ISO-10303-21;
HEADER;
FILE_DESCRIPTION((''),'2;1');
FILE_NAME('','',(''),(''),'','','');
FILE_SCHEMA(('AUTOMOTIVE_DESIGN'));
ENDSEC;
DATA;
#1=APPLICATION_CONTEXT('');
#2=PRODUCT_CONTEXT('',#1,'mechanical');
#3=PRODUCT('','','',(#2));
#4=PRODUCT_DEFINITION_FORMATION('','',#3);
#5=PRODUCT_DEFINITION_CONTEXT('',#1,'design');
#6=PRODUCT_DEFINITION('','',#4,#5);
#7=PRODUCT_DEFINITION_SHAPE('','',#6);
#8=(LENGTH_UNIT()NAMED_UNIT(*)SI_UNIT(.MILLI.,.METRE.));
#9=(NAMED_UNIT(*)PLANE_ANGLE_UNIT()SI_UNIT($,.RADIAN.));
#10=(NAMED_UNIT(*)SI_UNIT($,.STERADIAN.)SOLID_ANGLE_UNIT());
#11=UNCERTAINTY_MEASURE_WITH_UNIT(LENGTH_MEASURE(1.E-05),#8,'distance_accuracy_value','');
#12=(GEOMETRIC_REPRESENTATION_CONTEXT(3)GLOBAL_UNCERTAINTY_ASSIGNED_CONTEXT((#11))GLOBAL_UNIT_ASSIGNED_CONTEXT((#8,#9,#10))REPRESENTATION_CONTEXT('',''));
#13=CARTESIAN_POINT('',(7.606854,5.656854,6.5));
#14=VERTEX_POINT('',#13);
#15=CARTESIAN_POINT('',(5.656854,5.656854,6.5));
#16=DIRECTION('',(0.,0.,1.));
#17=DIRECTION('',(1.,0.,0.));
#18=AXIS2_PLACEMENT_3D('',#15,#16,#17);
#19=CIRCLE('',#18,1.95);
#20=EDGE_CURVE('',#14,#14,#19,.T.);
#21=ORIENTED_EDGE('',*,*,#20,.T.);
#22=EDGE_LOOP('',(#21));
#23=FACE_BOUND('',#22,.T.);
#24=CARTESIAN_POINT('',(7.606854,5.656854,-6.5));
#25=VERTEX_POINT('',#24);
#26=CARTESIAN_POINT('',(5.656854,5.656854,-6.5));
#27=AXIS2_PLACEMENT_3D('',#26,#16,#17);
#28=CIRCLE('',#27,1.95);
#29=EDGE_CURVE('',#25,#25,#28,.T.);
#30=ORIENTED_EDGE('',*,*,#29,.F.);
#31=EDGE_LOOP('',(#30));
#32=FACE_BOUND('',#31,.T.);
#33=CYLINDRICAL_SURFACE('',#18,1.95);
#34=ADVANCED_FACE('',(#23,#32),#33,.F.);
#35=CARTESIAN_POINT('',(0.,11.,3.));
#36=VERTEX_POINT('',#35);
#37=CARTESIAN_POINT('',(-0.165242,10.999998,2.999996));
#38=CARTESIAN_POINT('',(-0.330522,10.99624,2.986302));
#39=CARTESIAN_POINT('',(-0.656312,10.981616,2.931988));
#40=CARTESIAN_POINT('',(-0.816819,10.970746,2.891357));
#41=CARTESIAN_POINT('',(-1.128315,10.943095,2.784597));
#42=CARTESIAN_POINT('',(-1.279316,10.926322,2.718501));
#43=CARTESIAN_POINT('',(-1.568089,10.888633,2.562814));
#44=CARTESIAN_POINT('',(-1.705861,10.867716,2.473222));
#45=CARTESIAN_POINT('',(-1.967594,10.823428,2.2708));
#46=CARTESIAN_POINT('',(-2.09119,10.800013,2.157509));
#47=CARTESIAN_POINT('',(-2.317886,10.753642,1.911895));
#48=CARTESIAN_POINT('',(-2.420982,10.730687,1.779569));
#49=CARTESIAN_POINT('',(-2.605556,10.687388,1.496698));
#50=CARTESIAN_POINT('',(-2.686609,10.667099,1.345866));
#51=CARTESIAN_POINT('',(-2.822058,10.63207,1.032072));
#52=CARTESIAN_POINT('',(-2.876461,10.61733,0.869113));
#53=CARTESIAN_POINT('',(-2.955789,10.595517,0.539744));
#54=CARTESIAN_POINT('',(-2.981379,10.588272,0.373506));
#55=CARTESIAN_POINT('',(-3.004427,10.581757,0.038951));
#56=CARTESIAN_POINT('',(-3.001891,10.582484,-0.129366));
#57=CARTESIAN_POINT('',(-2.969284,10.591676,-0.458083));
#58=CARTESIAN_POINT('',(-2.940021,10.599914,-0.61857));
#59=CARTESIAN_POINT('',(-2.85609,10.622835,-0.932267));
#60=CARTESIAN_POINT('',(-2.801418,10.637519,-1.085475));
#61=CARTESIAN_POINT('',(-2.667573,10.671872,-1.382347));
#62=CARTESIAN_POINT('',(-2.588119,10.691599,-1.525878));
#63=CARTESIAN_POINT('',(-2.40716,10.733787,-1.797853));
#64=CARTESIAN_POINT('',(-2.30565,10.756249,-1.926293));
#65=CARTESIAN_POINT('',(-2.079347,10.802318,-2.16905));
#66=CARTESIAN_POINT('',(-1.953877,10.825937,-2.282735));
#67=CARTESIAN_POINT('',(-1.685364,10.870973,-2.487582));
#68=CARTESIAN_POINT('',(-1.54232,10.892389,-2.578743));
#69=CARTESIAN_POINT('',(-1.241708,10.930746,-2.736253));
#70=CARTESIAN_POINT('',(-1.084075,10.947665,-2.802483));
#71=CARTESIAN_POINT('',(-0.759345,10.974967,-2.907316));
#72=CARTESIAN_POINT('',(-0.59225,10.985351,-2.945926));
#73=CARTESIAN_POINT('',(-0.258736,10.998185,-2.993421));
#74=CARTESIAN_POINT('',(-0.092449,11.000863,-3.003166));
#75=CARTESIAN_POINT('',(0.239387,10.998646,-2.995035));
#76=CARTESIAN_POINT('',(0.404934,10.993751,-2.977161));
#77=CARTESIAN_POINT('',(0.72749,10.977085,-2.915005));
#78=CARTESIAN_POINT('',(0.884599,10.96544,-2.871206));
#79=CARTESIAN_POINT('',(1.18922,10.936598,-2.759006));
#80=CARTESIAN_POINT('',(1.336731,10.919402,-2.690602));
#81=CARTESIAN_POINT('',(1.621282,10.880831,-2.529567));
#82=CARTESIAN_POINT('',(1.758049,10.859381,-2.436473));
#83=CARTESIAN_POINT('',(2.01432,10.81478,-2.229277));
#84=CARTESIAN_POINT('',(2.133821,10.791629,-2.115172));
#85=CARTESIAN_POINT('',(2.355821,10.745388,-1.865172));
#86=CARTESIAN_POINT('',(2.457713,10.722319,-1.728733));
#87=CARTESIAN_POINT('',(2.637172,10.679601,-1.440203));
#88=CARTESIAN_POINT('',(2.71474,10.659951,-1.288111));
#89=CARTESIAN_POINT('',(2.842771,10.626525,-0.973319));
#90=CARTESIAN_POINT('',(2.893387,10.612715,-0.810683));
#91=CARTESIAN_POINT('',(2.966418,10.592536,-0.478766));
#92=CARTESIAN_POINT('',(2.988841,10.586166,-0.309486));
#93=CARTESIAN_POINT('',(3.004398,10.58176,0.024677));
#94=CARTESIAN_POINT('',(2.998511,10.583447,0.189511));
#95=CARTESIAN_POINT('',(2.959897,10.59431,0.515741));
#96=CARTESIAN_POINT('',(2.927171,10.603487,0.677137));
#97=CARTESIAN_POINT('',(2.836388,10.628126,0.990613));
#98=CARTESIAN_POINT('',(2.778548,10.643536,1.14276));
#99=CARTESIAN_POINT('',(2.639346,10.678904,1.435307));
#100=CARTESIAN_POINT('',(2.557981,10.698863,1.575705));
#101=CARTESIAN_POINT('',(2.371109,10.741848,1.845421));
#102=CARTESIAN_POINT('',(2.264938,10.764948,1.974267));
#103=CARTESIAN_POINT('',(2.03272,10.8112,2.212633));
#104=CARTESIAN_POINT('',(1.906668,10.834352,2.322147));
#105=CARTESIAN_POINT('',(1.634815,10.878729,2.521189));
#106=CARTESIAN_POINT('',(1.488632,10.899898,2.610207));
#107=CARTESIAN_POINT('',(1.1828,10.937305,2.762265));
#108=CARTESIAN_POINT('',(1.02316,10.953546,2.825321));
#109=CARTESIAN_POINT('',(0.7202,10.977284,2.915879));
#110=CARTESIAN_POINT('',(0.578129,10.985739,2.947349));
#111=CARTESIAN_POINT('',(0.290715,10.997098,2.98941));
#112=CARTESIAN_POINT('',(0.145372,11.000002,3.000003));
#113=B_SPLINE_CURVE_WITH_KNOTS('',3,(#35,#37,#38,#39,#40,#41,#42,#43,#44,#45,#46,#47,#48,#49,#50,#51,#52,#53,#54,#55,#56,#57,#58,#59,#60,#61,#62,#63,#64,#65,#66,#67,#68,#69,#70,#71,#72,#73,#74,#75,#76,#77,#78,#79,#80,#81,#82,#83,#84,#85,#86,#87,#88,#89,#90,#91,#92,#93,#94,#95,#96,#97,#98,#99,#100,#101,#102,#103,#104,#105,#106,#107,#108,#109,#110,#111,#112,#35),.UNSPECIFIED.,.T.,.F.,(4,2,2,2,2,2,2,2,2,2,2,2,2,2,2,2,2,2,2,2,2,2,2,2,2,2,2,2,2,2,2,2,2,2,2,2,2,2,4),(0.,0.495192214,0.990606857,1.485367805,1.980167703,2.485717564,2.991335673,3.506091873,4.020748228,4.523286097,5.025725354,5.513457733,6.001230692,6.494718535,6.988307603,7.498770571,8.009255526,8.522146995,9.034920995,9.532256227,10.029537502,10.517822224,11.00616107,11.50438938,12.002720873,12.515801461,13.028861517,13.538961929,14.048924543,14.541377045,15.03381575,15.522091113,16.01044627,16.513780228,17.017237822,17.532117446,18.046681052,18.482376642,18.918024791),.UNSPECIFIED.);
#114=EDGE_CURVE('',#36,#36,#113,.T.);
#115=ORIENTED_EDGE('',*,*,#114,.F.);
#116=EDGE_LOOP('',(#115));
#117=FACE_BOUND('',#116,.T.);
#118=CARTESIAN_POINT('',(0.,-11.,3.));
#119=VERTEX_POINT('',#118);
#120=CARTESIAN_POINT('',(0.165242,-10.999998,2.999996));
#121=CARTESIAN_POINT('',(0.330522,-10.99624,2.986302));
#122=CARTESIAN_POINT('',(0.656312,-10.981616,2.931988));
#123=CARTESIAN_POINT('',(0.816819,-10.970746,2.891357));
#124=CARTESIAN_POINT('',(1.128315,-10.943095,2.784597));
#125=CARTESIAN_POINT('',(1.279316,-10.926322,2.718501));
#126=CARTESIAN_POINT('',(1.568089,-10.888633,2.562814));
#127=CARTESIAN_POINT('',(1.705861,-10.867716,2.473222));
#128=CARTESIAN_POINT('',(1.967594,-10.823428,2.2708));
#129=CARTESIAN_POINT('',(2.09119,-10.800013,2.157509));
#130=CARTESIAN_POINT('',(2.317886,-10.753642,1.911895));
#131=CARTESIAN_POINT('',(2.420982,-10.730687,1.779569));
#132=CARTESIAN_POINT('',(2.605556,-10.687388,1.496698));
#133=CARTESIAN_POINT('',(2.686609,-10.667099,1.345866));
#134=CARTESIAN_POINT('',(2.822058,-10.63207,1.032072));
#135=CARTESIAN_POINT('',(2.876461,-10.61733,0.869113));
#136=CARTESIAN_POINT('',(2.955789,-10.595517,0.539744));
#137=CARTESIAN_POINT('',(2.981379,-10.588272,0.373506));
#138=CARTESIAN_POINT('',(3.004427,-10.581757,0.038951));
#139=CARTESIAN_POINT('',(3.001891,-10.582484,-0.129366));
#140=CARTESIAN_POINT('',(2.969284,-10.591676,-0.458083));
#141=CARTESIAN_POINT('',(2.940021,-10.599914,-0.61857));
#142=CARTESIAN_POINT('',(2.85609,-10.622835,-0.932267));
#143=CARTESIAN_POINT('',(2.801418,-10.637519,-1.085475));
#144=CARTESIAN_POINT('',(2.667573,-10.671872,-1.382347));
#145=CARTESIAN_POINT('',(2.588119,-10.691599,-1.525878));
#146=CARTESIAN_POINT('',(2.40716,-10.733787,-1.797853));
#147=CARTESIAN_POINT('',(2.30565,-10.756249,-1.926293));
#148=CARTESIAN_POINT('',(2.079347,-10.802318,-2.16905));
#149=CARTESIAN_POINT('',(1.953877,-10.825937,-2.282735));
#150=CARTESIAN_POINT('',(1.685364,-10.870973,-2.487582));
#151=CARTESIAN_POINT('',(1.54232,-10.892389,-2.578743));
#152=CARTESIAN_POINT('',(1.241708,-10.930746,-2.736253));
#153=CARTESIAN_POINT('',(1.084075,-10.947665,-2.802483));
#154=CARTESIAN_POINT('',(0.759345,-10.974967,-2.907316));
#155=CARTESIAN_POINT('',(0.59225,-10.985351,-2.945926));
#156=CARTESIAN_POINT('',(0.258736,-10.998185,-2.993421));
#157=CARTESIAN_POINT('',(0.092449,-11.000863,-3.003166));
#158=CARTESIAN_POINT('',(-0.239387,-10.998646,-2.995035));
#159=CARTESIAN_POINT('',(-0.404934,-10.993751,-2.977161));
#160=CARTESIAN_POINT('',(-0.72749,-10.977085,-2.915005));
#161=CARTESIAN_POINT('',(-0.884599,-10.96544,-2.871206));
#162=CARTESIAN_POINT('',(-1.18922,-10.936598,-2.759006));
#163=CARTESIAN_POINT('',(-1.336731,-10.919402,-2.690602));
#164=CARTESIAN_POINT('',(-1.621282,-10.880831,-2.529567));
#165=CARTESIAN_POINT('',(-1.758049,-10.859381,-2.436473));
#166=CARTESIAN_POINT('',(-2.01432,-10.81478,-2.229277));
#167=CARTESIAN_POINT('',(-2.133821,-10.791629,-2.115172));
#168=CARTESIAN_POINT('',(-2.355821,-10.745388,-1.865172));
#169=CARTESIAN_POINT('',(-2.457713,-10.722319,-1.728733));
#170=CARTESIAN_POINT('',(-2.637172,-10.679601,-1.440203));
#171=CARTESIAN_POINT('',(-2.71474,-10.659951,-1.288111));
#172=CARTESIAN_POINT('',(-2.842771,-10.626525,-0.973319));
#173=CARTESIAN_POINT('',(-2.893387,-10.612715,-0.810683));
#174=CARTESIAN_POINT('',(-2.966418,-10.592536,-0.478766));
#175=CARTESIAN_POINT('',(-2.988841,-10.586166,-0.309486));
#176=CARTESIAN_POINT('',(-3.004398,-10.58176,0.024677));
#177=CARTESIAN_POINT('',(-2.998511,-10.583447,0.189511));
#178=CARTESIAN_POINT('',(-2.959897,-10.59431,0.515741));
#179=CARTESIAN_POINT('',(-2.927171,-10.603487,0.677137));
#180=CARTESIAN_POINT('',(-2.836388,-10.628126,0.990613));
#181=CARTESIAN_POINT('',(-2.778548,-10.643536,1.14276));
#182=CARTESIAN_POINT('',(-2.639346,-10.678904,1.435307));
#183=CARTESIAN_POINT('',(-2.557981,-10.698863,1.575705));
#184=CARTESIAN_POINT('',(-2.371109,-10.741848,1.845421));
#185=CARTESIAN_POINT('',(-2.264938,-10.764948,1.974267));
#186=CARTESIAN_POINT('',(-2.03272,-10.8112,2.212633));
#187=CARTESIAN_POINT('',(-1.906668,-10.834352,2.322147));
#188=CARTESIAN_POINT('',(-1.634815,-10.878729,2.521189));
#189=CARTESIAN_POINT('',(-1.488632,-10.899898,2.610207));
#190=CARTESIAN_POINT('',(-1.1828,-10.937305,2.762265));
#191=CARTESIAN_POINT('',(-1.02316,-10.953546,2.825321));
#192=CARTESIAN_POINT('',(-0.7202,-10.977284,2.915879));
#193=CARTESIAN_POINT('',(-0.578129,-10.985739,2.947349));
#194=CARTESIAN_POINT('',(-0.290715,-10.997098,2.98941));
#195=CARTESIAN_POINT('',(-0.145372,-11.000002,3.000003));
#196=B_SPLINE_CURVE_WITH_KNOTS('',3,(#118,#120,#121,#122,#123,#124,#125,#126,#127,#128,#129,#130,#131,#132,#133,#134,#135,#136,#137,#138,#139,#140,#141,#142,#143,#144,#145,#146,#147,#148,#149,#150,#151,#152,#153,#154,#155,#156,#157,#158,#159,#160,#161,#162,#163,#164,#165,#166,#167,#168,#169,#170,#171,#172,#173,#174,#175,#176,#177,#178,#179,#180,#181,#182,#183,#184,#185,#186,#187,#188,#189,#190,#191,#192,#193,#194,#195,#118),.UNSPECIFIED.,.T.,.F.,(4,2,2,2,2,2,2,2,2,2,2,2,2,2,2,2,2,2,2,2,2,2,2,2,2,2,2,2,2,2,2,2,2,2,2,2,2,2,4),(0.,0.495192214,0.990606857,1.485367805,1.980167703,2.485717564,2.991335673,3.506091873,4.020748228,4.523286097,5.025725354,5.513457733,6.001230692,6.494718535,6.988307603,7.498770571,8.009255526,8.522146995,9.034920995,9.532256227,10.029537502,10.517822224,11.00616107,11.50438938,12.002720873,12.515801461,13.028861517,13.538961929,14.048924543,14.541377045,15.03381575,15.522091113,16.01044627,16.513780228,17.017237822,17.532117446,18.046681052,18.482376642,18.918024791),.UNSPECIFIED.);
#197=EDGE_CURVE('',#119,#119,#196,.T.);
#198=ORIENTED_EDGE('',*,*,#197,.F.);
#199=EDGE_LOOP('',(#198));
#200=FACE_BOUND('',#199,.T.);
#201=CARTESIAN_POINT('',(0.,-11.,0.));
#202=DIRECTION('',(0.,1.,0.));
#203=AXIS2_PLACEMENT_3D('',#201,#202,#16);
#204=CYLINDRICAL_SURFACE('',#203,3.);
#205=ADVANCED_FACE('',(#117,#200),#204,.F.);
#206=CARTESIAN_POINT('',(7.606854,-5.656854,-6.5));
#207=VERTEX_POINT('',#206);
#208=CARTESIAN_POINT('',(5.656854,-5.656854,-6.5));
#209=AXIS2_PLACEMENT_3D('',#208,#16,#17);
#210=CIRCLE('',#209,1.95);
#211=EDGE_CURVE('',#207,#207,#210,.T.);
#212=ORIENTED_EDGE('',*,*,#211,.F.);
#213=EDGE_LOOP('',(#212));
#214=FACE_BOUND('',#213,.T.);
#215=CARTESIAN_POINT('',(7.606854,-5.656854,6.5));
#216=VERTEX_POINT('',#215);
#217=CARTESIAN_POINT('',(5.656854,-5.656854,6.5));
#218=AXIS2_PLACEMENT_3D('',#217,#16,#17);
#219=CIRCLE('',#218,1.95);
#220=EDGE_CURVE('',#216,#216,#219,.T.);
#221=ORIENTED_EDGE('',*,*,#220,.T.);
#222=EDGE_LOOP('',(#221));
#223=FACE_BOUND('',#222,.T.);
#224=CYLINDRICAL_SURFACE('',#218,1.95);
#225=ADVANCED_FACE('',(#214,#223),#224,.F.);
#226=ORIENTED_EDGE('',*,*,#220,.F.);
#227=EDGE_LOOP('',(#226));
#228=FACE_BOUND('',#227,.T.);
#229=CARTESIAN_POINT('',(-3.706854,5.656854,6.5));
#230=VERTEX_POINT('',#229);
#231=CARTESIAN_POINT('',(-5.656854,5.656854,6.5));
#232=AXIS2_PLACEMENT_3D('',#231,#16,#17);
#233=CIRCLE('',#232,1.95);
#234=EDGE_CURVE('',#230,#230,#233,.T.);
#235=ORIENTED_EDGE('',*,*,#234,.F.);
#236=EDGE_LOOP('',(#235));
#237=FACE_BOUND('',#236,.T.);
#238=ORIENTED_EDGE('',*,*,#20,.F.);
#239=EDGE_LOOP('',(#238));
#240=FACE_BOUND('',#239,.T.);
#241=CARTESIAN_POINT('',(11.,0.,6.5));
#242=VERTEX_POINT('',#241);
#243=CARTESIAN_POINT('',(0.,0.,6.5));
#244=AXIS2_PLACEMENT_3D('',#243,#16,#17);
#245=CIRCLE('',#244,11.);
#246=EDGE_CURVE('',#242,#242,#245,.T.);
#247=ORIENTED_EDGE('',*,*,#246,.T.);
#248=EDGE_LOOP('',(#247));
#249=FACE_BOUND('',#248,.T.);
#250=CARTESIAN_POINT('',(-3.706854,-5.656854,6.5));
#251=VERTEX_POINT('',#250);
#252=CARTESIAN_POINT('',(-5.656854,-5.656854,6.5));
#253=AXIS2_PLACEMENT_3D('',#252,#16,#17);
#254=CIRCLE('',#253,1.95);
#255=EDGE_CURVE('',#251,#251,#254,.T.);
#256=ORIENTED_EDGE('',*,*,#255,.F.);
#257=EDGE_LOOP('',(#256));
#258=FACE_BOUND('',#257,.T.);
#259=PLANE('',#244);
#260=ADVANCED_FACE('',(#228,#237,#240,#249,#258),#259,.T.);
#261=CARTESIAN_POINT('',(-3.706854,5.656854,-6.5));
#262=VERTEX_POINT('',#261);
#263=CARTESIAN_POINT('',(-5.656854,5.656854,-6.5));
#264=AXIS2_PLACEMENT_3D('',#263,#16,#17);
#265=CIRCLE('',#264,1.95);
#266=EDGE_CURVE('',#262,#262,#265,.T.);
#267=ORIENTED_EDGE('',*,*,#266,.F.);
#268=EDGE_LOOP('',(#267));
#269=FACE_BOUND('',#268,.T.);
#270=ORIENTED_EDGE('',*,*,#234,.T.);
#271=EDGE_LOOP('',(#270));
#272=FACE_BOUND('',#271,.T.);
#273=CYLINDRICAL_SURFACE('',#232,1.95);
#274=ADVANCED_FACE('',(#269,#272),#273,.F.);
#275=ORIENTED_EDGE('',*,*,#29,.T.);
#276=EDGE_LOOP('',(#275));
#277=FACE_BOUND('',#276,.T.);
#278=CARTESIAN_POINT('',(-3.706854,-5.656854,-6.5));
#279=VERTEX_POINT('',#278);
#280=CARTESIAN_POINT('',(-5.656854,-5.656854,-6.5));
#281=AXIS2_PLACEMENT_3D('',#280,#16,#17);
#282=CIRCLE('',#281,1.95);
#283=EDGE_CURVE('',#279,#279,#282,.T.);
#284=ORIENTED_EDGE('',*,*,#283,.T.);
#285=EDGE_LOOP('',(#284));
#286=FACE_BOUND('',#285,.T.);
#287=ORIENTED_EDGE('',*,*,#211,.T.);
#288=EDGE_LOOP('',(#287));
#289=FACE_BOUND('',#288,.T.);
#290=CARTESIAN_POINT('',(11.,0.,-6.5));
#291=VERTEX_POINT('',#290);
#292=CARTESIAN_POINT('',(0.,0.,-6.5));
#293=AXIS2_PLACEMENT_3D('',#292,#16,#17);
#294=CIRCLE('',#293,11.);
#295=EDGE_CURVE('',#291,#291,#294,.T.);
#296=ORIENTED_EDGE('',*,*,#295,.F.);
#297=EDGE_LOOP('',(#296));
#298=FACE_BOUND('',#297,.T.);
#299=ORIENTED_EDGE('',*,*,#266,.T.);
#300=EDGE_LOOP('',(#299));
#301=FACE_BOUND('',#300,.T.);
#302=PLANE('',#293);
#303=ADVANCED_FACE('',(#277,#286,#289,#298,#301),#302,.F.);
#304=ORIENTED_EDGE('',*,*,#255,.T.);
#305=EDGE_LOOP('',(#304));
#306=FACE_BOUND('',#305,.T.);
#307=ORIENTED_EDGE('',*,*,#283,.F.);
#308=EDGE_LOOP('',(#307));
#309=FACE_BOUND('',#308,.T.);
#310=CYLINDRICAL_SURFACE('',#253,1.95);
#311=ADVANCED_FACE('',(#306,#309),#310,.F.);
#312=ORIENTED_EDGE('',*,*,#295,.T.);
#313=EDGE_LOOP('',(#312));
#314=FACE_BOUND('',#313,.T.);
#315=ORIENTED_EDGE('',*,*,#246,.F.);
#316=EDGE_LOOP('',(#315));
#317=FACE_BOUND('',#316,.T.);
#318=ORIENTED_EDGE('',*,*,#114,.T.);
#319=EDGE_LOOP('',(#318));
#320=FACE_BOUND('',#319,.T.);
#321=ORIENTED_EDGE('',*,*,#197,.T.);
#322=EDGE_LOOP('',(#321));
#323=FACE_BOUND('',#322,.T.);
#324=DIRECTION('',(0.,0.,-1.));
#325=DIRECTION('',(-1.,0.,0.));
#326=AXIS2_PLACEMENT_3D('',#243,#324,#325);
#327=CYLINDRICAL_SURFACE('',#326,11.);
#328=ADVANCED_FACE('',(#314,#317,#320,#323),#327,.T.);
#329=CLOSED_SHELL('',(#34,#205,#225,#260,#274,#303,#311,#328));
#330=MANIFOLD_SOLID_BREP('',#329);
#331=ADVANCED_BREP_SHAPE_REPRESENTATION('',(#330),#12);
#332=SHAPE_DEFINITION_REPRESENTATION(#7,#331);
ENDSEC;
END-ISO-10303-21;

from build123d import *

# Parameters (mm, degrees)
SKETCH1_R               = 11
BOSS_EXTRUDE1_DEPTH     = 6.5
CUT_EXTRUDE1_DEPTH      = 17.8597153
CUT_EXTRUDE1_DEPTH_BACK = 17.8597153
SKETCH2_R               = 3
M3_CLEARANCE_HOLE1_D    = 3.9


with BuildPart() as part:
    # Sketch1 → Boss-Extrude1 (new, symmetric)
    with BuildSketch(Plane.XY):
        with Locations(Location((0, 0, 0), (0, 0, 180))):
            Circle(SKETCH1_R)
    extrude(amount=BOSS_EXTRUDE1_DEPTH, both=True)

    # Sketch2 → Cut-Extrude1 (cut, two sides: drawn at the far end of the back side and taken through both)
    with BuildSketch(Plane(origin=(0, 0, 0), x_dir=(1, 0, 0), z_dir=(0, 1, 0)).offset(-CUT_EXTRUDE1_DEPTH_BACK)):
        with Locations(Location((0, 0, 0), (0, 0, 270))):
            Circle(SKETCH2_R)
    extrude(amount=CUT_EXTRUDE1_DEPTH + CUT_EXTRUDE1_DEPTH_BACK, mode=Mode.SUBTRACT)

    # M3 Clearance Hole1 (through all)
    with Locations(Plane.XY.offset(6.5)):
        with Locations((5.656854249, 5.656854249), (-5.656854249, -5.656854249), (-5.656854249, 5.656854249), (5.656854249, -5.656854249)):
            Hole(M3_CLEARANCE_HOLE1_D / 2)


solid = part.part
